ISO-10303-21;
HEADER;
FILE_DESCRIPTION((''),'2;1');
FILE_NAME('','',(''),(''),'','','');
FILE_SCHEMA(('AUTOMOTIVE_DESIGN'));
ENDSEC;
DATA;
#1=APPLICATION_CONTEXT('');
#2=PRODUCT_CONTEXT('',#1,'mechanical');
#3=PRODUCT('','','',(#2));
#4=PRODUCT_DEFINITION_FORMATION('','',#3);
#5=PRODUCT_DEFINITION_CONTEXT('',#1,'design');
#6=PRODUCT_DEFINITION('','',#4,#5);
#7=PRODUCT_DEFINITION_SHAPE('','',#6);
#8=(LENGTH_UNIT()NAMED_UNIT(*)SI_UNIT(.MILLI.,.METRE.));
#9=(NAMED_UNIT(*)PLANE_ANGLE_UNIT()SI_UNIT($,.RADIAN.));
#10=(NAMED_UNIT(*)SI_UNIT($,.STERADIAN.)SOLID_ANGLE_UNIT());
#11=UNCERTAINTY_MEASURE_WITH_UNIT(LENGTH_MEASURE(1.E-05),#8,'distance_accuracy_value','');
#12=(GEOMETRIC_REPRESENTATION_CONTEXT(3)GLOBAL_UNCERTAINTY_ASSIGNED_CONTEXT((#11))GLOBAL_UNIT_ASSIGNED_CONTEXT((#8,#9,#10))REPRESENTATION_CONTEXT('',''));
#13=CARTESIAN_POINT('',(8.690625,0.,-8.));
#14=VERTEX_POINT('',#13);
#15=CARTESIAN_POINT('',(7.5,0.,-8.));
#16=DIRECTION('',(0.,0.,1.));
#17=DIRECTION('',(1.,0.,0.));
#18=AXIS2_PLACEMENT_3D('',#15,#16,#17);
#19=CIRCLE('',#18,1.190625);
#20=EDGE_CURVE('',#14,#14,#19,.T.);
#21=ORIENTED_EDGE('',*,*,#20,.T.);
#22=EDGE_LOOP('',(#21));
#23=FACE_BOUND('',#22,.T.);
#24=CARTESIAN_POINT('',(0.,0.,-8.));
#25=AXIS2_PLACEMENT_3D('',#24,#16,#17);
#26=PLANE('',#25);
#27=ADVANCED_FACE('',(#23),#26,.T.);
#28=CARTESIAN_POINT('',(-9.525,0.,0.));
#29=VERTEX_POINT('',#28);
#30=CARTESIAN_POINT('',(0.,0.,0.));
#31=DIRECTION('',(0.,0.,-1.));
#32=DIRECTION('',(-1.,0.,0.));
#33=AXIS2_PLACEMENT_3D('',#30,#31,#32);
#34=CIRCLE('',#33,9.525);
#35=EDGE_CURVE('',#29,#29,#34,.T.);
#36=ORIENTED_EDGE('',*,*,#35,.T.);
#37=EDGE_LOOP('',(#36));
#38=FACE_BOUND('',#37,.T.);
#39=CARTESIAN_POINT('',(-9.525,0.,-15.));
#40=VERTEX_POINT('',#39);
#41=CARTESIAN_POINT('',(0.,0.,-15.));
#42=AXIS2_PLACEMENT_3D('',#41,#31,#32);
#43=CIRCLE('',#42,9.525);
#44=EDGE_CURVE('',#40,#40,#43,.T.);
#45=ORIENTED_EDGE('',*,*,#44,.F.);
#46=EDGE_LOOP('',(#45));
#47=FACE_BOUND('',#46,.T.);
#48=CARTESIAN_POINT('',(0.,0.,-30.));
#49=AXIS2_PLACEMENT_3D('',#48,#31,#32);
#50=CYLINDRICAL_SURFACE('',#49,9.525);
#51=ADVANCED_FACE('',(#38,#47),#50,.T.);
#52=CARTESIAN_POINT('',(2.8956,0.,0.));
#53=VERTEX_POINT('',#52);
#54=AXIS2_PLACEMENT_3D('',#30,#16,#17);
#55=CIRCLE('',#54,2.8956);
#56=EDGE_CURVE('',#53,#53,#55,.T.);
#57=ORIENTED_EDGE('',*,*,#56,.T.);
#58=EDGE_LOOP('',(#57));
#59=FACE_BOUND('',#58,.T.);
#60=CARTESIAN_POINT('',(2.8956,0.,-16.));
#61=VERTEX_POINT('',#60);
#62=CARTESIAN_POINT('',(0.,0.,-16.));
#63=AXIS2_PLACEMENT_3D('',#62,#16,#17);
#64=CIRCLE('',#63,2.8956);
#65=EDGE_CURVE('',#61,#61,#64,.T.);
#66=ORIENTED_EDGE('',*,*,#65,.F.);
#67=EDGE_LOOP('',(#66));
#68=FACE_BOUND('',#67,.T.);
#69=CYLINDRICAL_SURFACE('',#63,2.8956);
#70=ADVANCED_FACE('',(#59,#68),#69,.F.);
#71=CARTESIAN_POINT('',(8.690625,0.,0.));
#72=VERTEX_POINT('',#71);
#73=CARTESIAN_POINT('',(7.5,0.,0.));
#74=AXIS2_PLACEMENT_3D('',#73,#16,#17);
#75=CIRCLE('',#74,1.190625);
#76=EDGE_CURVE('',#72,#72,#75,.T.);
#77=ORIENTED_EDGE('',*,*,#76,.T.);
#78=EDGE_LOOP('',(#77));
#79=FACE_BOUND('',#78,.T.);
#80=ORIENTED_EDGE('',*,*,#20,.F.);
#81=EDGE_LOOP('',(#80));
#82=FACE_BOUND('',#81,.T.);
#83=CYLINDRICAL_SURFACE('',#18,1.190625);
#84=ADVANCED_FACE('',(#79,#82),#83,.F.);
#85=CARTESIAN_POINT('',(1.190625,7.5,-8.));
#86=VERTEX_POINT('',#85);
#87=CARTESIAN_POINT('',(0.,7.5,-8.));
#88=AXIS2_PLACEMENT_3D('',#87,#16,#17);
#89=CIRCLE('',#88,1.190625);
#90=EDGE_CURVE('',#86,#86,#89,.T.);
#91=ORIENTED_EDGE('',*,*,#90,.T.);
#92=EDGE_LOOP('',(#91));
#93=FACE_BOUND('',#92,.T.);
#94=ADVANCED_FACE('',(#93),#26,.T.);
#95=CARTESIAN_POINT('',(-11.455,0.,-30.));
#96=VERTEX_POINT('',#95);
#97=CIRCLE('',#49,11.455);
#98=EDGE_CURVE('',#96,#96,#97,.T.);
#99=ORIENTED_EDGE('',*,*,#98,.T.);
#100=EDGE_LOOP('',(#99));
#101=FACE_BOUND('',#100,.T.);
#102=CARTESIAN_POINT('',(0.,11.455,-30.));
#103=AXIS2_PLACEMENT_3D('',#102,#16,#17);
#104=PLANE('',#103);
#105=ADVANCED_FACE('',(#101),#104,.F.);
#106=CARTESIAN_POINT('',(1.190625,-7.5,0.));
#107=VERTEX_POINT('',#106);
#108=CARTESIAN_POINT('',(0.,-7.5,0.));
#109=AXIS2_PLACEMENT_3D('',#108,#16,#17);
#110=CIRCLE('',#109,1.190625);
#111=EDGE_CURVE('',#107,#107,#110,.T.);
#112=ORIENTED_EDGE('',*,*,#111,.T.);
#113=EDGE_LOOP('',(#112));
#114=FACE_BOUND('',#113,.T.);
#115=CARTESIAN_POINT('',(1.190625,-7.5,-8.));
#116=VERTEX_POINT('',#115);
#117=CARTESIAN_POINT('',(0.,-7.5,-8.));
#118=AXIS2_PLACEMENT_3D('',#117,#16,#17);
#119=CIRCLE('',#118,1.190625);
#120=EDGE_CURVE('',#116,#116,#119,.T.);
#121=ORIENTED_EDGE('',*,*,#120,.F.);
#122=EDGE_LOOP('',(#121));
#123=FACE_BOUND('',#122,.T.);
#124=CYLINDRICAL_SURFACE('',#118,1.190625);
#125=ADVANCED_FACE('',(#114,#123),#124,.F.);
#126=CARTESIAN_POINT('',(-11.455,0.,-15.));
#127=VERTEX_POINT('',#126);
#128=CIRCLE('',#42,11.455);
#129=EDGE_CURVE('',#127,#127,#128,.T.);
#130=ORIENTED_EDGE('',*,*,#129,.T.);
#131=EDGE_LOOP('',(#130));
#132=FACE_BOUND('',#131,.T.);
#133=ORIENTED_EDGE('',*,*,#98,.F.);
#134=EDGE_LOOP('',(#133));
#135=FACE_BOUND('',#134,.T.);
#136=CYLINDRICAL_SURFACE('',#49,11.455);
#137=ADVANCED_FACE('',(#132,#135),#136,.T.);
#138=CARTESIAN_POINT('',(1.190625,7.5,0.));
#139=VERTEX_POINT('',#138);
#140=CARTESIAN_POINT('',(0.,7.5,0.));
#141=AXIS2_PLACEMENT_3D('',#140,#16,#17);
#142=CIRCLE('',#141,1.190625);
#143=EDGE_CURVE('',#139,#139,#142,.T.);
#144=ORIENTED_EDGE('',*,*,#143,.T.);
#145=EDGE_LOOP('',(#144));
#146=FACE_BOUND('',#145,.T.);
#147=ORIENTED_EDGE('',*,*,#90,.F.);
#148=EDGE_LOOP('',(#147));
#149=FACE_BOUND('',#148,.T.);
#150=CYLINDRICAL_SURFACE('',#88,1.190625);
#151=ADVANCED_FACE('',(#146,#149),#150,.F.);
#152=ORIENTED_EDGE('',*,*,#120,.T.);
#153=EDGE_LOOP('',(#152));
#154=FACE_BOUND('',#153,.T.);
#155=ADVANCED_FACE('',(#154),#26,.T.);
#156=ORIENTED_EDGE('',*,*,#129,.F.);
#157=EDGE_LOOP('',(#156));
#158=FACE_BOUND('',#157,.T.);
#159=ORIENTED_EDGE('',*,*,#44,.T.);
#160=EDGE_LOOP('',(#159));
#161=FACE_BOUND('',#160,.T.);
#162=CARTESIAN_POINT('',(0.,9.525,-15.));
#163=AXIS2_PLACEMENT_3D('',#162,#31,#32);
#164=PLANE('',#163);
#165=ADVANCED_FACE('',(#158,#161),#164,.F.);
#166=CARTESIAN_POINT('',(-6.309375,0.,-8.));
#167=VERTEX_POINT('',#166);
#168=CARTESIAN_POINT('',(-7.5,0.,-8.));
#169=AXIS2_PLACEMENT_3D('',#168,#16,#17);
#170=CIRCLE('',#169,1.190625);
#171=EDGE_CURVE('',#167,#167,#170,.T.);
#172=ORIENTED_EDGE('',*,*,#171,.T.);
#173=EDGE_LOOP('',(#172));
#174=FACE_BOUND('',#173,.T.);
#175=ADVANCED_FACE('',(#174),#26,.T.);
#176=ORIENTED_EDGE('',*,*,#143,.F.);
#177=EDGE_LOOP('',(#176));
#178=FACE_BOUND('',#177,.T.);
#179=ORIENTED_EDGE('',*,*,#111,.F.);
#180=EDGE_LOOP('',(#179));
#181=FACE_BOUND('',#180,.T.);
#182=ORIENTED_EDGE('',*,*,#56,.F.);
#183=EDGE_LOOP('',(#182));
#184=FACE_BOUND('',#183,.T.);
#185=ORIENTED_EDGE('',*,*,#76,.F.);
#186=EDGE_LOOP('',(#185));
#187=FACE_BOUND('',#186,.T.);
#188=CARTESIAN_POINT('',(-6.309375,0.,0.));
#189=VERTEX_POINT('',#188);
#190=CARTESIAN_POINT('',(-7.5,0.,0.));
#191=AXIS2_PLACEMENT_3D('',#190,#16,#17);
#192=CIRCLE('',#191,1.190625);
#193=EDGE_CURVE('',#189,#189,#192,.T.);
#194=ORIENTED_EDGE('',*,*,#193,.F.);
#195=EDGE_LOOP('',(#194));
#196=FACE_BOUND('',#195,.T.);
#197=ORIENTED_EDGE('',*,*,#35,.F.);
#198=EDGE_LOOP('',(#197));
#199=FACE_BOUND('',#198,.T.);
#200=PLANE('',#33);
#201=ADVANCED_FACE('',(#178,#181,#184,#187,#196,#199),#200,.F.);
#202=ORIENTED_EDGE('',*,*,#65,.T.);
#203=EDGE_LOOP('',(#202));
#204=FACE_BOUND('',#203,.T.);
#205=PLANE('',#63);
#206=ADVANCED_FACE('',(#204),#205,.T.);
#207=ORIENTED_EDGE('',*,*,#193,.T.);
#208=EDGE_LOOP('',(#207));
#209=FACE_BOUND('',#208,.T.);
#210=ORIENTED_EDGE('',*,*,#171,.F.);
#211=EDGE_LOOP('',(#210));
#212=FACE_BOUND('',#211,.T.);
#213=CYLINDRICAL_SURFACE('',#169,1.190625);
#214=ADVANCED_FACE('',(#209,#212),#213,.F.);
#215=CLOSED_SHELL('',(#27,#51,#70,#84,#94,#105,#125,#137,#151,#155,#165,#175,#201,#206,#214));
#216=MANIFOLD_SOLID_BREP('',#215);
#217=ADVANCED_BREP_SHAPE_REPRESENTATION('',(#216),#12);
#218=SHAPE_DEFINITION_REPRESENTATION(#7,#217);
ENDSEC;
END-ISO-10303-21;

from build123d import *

# Parameters (mm, degrees)
SKETCH1_3_R        = 1.190625
CUT_EXTRUDE1_DEPTH = 8
SKETCH1_R          = 2.8956
CUT_EXTRUDE2_DEPTH = 16


with BuildPart() as part:
    # Sketch2 → Revolve1 (revolve)
    with BuildSketch(Plane.YZ):
        Polygon((0, 0), (9.525, 0), (9.525, -15), (11.455, -15), (11.455, -30), (0, -30), align=None)
    revolve(axis=Axis((0, 0, -30), (0, 0, 1)))

    # Sketch1<3> → Cut-Extrude1 (cut)
    with BuildSketch(Plane(origin=(0, 0, 0), x_dir=(0, 1, 0), z_dir=(0, 0, 1))):
        with Locations((0, 7.5)):
            Circle(SKETCH1_3_R)
        with Locations((-7.5, 0)):
            Circle(SKETCH1_3_R)
        with Locations((7.5, 0)):
            Circle(SKETCH1_3_R)
        with Locations((0, -7.5)):
            Circle(SKETCH1_3_R)
    extrude(amount=-CUT_EXTRUDE1_DEPTH, mode=Mode.SUBTRACT)

    # Sketch1 → Cut-Extrude2 (cut)
    with BuildSketch(Plane(origin=(0, 0, 0), x_dir=(0, 1, 0), z_dir=(0, 0, 1))):
        Circle(SKETCH1_R)
    extrude(amount=-CUT_EXTRUDE2_DEPTH, mode=Mode.SUBTRACT)


solid = part.part
